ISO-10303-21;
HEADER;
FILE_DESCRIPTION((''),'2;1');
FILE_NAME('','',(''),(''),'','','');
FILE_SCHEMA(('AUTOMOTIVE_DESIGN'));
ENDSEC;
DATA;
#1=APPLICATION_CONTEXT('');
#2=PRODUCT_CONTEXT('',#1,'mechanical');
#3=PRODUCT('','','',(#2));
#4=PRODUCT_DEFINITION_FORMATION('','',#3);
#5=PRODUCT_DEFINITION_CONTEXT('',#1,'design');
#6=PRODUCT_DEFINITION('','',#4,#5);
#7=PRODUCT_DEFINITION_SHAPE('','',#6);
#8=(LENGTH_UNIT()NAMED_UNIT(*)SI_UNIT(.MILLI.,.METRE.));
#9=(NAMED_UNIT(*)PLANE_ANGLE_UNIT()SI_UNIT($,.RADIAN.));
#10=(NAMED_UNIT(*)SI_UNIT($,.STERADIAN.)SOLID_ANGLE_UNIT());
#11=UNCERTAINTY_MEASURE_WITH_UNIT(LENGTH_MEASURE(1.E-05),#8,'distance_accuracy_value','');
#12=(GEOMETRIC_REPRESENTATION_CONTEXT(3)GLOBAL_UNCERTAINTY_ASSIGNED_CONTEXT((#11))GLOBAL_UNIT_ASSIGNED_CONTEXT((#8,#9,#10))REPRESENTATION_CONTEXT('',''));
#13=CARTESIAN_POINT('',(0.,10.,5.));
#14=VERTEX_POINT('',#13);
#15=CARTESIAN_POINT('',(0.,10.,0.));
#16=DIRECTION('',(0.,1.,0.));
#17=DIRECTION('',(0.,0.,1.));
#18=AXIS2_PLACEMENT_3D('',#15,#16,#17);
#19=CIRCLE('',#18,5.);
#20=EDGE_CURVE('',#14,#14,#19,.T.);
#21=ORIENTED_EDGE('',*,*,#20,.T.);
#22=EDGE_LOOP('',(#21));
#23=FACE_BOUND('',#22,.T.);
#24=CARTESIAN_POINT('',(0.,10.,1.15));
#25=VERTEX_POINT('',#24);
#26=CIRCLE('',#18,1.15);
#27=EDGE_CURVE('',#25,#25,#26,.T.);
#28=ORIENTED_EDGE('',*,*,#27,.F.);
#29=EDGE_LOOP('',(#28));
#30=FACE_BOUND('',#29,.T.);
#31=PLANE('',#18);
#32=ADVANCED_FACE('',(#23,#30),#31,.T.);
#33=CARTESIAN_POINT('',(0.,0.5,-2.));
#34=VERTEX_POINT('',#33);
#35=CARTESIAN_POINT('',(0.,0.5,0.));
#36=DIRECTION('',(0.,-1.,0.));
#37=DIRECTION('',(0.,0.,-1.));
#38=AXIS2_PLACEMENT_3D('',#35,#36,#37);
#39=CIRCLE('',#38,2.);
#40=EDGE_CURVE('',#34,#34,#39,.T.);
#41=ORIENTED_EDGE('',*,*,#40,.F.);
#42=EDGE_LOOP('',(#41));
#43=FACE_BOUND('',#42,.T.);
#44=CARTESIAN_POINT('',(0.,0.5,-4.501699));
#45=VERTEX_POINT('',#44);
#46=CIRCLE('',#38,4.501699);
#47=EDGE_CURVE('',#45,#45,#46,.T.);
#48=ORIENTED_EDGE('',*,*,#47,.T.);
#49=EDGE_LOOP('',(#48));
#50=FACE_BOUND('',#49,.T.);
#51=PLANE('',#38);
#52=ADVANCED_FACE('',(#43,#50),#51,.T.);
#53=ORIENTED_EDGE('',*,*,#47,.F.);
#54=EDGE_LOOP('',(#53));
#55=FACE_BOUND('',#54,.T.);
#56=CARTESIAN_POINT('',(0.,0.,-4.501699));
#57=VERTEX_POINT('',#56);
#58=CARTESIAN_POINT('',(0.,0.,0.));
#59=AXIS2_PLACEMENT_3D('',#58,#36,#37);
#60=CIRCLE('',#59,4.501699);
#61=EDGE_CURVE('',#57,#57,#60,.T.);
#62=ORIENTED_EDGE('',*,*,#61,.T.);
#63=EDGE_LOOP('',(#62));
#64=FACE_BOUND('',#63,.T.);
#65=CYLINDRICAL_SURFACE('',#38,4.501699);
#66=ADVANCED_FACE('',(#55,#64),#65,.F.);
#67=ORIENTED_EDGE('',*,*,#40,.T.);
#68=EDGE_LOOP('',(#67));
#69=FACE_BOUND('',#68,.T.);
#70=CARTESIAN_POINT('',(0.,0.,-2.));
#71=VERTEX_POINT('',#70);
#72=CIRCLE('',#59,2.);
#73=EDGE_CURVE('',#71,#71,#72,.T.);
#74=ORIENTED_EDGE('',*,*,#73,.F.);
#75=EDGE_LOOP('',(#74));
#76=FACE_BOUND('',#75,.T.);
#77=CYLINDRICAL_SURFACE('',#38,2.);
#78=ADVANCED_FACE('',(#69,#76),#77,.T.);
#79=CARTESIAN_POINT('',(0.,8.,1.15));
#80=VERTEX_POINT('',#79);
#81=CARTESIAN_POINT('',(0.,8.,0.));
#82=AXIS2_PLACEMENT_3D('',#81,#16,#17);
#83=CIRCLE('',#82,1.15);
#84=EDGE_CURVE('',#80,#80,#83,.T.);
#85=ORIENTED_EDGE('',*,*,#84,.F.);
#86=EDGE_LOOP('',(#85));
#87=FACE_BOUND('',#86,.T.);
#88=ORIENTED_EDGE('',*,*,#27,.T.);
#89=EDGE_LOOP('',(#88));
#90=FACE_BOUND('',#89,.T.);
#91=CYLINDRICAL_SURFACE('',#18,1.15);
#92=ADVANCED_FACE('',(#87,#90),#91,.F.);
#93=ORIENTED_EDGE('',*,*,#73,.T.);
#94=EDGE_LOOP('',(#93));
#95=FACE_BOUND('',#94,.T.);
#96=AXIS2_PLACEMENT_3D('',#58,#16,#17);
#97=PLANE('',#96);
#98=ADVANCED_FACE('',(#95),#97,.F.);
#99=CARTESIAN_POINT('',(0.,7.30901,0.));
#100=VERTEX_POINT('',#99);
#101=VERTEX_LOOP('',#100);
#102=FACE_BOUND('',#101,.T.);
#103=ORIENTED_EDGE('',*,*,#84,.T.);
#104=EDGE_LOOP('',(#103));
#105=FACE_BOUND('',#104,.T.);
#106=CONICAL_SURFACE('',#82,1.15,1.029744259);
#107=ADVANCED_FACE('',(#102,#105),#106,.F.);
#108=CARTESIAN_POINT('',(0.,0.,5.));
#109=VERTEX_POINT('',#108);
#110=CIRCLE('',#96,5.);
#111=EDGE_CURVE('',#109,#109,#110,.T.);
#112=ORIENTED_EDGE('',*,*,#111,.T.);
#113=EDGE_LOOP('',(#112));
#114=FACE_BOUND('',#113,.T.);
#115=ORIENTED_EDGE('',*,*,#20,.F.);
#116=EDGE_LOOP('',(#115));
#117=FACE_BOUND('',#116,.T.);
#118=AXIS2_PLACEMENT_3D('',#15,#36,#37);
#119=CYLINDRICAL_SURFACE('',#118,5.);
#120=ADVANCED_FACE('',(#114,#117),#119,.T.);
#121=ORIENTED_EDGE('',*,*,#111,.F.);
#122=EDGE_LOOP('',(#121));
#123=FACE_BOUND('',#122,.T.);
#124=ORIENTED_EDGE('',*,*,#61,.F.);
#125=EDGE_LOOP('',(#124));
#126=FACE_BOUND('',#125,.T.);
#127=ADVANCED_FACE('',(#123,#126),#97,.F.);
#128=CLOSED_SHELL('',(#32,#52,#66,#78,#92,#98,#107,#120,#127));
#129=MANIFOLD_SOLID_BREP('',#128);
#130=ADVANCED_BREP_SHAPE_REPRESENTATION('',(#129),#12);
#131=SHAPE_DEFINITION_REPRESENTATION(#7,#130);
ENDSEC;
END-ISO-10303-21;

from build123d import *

# Parameters (mm, degrees)
SKETCH_1_R              = 5
EXTRUDE_1_DEPTH         = 10
SKETCH_2_R              = 4.501699131
SKETCH_2_R_2            = 2
CUT_EXTRUDE_1_DEPTH     = 0.5
HOLE_WIZARD_M2_21_D     = 2.3
HOLE_WIZARD_M2_21_DEPTH = 2
HOLE_WIZARD_M2_21_TIP   = 0.690989712


with BuildPart() as part:
    # Эскиз1 → Бобышка-Вытянуть1 (new body)
    with BuildSketch(Plane(origin=(0, 0, 0), x_dir=(1, 0, 0), z_dir=(0, 1, 0))):
        Circle(SKETCH_1_R)
    extrude(amount=EXTRUDE_1_DEPTH)

    # Эскиз2 → Вырез-Вытянуть1 (cut)
    with BuildSketch(Plane.XZ):
        Circle(SKETCH_2_R)
        Circle(SKETCH_2_R_2, mode=Mode.SUBTRACT)
    extrude(amount=-CUT_EXTRUDE_1_DEPTH, mode=Mode.SUBTRACT)

    # Сверло под метчик  спиральное M2.21
    with Locations(Plane(origin=(0, 10, 0), x_dir=(1, 0, 0), z_dir=(0, 1, 0))):
        with Locations((0, 0)):
            Hole(HOLE_WIZARD_M2_21_D / 2, depth=HOLE_WIZARD_M2_21_DEPTH)
            with Locations((0, 0, -(HOLE_WIZARD_M2_21_DEPTH + HOLE_WIZARD_M2_21_TIP / 2))):  # 118° drill point
                Cone(0, HOLE_WIZARD_M2_21_D / 2, HOLE_WIZARD_M2_21_TIP, mode=Mode.SUBTRACT)


solid = part.part
